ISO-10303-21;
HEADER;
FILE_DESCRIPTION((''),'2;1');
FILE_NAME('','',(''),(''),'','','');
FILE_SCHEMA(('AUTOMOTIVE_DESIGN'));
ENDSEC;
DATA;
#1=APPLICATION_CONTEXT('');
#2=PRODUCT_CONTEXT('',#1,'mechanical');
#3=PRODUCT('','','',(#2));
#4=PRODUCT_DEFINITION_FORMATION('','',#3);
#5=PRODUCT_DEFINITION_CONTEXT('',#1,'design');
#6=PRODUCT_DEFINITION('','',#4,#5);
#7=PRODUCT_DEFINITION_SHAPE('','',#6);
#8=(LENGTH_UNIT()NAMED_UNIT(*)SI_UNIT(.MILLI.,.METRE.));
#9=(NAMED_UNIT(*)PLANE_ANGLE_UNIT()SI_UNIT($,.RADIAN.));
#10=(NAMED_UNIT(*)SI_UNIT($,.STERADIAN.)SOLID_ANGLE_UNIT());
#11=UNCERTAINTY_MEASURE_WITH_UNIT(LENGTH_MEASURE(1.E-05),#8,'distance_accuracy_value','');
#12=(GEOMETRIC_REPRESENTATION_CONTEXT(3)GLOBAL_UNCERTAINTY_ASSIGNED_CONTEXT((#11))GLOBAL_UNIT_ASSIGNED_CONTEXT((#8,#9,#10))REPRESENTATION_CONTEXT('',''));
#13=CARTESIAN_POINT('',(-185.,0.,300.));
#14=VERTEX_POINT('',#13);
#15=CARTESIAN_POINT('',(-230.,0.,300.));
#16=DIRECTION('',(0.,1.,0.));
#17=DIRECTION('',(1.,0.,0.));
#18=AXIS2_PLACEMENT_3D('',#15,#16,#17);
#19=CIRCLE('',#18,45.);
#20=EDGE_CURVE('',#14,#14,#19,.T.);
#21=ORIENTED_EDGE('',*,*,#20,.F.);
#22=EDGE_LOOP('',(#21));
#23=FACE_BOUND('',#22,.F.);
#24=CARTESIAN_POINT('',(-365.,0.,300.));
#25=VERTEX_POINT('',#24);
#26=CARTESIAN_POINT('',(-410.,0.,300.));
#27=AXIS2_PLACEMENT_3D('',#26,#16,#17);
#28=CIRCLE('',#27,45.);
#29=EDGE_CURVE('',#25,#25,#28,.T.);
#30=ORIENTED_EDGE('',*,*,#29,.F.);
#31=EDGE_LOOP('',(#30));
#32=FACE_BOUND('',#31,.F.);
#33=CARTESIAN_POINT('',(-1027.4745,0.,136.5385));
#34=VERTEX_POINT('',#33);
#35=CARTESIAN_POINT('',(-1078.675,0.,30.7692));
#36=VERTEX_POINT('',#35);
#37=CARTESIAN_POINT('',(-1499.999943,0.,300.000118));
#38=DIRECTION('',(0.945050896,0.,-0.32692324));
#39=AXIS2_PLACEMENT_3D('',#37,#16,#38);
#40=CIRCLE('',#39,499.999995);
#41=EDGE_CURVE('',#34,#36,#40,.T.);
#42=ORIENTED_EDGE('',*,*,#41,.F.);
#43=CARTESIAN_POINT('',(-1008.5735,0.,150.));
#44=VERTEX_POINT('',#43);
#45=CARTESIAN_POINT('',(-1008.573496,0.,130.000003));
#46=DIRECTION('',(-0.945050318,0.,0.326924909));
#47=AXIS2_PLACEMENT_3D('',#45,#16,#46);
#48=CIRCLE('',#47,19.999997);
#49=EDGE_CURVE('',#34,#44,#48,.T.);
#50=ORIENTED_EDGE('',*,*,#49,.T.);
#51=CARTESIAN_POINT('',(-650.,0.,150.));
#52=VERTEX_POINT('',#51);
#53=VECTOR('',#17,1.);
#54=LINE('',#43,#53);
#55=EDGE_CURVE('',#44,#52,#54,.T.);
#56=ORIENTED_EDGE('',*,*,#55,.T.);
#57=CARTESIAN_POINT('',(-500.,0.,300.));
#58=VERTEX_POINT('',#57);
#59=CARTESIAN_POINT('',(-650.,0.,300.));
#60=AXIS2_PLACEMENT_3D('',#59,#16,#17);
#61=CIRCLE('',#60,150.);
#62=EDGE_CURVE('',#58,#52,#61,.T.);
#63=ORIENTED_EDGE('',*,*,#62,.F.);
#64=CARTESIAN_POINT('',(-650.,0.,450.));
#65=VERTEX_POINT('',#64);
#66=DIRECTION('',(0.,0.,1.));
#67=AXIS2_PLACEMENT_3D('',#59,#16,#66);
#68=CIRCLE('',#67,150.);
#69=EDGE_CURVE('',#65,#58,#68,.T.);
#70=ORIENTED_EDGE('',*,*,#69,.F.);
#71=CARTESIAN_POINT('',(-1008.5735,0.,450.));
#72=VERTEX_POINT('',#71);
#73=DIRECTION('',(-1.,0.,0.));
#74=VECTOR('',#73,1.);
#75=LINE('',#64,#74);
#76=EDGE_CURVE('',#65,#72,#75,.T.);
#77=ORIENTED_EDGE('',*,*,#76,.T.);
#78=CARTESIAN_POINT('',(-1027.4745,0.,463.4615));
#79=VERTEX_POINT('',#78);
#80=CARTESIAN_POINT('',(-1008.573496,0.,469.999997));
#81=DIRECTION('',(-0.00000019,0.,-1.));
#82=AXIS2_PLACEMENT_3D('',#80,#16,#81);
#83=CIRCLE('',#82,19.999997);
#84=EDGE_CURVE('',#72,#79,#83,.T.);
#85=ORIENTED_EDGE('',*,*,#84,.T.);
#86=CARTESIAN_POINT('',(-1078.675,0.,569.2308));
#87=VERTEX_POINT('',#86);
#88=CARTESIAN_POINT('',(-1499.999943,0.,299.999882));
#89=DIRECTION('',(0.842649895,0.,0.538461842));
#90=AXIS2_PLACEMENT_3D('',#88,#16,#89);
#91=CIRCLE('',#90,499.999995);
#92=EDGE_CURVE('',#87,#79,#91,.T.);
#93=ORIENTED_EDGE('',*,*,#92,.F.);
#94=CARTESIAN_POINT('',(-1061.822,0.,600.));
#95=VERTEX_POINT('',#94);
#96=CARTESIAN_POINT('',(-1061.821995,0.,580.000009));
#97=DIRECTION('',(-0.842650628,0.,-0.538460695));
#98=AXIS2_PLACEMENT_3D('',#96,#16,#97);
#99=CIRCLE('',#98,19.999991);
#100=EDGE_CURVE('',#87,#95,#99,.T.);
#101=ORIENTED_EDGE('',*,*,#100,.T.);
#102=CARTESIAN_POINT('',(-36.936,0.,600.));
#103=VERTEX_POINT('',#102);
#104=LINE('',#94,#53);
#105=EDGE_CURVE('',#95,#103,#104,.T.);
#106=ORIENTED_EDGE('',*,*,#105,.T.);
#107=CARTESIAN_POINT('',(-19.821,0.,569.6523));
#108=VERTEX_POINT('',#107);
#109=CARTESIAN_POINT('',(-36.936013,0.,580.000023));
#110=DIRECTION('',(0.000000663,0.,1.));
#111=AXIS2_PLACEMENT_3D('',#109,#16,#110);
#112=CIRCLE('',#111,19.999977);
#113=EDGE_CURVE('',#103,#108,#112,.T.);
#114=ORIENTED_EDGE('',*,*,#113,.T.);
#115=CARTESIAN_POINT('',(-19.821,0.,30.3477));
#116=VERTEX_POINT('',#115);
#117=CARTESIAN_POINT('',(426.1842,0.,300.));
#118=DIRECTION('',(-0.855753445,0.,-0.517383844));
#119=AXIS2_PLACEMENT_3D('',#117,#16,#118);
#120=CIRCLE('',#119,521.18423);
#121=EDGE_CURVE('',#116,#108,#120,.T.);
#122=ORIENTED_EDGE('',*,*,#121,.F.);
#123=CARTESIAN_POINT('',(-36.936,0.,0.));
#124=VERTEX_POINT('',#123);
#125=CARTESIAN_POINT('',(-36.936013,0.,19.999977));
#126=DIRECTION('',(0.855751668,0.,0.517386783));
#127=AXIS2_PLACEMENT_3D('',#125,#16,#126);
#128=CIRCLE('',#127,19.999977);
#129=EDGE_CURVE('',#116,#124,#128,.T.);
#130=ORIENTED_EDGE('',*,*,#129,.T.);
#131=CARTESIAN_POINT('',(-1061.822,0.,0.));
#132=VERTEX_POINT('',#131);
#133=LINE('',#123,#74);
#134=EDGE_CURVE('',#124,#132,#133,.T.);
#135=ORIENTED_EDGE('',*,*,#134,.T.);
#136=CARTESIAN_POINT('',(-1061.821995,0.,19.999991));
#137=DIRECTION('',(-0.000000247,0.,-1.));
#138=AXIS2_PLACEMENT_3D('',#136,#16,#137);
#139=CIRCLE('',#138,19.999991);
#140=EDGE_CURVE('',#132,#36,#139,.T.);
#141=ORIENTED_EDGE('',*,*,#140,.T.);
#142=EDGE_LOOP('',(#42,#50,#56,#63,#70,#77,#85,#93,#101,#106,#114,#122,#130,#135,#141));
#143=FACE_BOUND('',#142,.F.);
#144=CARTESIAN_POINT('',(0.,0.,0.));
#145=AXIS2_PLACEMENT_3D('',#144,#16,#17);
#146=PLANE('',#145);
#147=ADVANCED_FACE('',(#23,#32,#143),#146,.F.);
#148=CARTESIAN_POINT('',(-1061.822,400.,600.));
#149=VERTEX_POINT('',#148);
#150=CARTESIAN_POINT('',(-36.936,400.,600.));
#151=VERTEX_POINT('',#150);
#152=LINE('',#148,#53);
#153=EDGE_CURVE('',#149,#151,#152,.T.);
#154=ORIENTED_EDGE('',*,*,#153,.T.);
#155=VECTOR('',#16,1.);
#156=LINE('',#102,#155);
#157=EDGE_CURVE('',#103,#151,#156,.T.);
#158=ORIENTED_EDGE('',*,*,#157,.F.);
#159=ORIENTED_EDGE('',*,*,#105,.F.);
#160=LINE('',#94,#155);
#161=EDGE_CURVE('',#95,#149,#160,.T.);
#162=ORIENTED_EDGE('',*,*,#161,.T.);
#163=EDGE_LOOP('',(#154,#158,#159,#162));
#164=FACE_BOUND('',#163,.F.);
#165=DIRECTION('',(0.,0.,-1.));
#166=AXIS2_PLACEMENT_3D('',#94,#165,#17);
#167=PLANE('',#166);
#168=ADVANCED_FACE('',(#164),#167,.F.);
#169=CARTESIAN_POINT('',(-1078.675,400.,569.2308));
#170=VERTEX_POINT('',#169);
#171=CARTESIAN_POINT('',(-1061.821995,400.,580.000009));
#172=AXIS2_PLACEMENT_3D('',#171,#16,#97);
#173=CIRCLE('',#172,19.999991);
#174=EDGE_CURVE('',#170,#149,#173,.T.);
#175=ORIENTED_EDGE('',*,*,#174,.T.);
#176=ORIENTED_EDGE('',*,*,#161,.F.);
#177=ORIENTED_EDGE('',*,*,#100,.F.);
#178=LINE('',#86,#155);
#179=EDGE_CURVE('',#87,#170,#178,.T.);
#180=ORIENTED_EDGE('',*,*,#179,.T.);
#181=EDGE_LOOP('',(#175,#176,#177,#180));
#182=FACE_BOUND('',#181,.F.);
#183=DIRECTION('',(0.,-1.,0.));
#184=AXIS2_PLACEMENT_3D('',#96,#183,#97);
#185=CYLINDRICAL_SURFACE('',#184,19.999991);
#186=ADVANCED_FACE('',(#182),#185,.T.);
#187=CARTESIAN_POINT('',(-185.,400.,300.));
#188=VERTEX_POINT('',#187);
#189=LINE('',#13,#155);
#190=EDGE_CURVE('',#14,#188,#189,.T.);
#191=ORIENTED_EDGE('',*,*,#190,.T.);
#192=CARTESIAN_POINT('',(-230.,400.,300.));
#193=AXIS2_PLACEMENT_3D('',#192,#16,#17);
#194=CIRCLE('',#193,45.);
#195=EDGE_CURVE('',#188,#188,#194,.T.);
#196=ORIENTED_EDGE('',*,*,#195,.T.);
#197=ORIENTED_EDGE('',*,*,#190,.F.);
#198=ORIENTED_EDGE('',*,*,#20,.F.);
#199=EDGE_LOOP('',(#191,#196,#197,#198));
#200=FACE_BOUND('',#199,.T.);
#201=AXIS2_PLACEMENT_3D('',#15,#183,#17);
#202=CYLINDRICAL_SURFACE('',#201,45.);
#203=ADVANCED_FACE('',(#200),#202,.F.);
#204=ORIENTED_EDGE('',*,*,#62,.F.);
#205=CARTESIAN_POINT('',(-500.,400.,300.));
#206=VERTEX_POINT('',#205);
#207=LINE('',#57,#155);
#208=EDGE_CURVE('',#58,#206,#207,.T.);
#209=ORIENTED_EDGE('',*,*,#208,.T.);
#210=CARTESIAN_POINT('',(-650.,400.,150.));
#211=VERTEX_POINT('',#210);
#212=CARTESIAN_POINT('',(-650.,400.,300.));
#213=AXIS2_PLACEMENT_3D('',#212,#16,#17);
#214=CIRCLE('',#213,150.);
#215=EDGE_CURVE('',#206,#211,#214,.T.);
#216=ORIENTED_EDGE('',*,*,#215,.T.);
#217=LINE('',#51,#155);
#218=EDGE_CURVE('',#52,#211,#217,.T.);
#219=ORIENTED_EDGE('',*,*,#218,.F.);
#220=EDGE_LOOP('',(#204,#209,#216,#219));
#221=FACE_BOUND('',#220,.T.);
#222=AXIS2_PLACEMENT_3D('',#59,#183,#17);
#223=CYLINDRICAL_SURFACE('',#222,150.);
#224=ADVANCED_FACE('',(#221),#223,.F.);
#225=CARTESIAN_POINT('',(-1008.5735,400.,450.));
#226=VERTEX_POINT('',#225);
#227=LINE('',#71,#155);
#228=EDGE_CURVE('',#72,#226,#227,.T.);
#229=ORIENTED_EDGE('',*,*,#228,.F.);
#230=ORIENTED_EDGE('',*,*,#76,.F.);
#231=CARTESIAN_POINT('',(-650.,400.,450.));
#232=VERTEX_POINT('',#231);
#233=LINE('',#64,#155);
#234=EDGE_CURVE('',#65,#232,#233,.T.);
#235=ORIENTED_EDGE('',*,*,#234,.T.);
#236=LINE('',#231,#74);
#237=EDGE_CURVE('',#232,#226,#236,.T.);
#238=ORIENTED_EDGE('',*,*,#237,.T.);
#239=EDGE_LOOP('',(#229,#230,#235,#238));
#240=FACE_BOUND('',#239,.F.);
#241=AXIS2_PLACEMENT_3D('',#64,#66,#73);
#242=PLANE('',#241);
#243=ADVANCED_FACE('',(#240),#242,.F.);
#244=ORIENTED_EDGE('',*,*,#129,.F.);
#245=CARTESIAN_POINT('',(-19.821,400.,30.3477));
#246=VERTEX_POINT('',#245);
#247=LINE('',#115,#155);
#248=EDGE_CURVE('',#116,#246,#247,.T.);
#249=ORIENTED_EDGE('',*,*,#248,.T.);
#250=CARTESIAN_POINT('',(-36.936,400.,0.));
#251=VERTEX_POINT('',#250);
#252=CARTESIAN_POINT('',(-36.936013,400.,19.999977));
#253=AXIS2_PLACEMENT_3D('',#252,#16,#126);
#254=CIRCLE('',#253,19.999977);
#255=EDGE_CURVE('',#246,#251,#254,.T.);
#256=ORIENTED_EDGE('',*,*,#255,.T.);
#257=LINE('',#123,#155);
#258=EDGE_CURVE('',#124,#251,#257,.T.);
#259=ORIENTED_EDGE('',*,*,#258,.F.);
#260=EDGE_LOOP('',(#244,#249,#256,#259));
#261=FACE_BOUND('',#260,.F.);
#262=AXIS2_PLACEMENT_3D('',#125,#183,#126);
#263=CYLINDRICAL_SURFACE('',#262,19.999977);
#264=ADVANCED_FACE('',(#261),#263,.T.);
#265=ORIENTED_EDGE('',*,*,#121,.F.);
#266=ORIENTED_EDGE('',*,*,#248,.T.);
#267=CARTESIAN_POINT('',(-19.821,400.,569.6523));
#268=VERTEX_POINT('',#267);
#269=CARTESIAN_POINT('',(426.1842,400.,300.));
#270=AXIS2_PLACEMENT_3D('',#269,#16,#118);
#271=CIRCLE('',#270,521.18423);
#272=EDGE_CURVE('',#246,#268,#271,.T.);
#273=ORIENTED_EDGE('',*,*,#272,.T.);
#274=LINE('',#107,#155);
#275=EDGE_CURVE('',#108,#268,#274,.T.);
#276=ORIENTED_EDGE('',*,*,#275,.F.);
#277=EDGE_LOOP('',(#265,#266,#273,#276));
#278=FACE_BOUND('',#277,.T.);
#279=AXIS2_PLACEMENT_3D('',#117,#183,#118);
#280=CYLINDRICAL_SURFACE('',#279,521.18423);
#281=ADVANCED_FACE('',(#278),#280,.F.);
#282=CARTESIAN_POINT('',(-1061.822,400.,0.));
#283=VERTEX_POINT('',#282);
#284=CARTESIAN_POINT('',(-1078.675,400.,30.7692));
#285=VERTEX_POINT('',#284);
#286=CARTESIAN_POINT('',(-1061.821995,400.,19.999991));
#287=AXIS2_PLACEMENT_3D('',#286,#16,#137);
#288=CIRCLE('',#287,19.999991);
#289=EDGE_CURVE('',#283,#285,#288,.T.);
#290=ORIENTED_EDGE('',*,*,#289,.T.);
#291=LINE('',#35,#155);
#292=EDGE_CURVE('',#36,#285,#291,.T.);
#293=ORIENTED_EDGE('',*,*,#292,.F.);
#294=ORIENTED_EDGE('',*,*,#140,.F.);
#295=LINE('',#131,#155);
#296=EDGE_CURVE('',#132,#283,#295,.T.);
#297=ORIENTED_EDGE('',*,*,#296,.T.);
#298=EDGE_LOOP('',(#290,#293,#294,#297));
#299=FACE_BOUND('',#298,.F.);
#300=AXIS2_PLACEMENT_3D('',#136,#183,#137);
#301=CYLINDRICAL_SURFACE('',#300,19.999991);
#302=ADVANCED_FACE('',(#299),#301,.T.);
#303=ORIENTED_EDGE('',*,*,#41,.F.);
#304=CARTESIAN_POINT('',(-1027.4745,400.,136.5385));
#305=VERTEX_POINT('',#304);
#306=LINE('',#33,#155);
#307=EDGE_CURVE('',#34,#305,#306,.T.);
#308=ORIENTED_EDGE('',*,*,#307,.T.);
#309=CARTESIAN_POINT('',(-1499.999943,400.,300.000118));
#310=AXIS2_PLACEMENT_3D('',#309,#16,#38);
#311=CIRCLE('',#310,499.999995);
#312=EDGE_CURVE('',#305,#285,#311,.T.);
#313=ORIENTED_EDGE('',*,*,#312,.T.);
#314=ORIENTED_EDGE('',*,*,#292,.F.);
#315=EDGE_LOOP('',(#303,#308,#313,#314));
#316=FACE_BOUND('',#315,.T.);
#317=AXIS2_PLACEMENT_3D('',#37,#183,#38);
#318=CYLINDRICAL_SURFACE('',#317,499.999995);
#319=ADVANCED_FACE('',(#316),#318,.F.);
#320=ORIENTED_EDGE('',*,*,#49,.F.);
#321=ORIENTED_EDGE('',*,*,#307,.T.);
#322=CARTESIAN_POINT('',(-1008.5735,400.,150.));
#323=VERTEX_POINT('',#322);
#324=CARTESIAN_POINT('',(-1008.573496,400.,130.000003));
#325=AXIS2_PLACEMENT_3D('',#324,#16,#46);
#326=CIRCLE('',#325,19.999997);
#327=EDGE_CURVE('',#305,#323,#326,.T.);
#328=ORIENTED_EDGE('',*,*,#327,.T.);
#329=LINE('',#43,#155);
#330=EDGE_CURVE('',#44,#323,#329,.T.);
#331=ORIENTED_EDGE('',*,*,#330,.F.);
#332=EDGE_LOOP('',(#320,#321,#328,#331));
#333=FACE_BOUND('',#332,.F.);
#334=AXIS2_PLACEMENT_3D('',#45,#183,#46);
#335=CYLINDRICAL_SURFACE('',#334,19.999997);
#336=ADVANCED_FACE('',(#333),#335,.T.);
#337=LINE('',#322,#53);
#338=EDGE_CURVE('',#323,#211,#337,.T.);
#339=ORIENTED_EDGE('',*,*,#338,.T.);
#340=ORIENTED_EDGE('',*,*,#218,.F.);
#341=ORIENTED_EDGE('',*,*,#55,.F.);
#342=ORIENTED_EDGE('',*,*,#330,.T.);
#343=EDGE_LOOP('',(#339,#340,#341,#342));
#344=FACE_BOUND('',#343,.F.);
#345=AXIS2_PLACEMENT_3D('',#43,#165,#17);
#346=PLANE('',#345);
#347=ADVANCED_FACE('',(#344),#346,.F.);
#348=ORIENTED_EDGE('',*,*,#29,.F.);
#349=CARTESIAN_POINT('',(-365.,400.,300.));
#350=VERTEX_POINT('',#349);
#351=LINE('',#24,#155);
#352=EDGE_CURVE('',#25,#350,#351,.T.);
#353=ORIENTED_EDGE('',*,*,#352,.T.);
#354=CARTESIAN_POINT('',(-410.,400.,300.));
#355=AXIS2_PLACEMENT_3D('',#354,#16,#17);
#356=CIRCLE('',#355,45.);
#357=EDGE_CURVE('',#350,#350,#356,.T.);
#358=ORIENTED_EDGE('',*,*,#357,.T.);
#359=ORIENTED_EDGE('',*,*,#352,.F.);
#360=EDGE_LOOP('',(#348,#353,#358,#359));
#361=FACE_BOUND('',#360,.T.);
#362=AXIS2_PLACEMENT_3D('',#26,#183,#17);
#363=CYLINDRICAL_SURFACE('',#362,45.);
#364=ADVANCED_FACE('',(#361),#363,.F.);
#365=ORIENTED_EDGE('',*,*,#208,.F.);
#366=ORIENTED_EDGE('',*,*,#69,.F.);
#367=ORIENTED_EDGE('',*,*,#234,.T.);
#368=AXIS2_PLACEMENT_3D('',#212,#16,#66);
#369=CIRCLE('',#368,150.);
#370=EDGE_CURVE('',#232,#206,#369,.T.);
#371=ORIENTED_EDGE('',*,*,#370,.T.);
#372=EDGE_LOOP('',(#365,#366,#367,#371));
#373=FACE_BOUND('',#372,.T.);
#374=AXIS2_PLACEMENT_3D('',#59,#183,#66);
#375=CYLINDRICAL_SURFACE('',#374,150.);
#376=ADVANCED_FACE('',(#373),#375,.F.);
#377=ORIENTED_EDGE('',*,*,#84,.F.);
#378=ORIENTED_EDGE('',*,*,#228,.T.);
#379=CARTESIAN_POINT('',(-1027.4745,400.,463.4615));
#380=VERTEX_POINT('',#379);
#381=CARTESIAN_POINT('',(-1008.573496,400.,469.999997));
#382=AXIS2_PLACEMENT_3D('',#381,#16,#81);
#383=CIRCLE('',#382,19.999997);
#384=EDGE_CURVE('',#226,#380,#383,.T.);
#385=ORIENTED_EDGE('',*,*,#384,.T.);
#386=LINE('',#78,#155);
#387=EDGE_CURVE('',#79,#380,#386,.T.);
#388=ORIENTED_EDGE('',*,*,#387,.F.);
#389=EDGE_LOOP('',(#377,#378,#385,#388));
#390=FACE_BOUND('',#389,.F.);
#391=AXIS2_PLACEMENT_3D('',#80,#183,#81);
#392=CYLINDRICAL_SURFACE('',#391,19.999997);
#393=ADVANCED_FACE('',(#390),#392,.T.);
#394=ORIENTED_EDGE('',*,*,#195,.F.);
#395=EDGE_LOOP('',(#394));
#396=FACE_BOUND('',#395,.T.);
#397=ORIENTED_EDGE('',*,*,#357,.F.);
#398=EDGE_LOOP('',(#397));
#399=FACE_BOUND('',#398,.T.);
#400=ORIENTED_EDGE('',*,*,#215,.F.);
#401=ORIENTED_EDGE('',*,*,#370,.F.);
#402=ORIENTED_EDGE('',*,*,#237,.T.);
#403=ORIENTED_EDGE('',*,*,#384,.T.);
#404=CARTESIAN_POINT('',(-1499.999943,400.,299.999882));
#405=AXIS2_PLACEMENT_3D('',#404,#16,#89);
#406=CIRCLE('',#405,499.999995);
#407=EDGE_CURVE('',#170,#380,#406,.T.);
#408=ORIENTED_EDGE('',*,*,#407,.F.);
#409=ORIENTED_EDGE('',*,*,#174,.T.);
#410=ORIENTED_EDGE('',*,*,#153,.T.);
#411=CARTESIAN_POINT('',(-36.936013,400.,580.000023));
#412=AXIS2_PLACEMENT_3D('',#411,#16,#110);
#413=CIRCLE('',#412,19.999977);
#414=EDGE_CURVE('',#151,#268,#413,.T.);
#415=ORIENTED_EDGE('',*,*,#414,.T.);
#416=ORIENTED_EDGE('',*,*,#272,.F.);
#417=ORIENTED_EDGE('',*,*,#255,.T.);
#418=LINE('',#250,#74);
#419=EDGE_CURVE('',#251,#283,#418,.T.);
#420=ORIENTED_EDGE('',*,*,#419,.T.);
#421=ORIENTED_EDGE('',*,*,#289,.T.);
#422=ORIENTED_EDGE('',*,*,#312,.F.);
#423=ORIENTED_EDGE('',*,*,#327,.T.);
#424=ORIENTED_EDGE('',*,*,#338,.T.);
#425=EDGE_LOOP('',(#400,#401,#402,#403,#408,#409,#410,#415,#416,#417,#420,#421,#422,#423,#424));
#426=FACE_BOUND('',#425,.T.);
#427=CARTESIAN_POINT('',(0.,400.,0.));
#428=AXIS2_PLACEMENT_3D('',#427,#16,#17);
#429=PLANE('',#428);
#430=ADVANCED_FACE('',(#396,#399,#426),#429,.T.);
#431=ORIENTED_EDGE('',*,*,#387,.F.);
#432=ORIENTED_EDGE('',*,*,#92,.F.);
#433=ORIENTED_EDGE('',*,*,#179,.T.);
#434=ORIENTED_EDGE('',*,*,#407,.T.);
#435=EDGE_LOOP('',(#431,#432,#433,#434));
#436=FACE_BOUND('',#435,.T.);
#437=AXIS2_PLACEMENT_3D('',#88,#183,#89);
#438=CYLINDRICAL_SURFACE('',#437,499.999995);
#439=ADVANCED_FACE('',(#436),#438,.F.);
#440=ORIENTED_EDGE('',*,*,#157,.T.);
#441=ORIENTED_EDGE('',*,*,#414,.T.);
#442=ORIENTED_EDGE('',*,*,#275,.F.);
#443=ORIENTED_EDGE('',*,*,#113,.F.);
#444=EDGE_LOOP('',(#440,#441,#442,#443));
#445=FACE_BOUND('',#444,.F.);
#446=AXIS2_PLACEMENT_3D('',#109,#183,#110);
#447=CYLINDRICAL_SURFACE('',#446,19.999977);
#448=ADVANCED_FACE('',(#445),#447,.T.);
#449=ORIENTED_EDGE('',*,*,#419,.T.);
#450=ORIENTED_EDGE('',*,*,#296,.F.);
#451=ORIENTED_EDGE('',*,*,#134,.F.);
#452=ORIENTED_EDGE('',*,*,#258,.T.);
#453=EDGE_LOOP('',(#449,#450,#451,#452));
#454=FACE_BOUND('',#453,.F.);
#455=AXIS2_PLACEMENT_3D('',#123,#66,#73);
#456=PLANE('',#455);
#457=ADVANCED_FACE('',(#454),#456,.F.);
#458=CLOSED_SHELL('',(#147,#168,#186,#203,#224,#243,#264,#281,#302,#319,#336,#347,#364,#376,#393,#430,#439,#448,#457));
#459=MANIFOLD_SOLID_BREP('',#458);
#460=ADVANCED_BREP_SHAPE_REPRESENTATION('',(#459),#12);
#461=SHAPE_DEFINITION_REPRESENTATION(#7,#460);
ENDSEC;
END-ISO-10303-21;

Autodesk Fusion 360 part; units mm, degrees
sketch "Boceto2" plane through (0, 0, 0) normal (0, 1, 0) x (1, 0, 0)
  line L0 (-36.936, 0) -> (-1061.822, 0)
  line L1 (-1061.822, -600) -> (-36.936, -600)
  line L2 (-1008.5735, -150) -> (-650, -150)
  line L3 (-650, -450) -> (-1008.5735, -450)
  arc A0 (-1078.675, -569.2308) -> (-1027.4745, -463.4615) centre (-1500, -300) ccw
  arc A1 (-1027.4745, -136.5385) -> (-1078.675, -30.7692) centre (-1500, -300) ccw
  arc A2 (-650, -450) -> (-500, -300) centre (-650, -300) ccw
  arc A3 (-500, -300) -> (-650, -150) centre (-650, -300) ccw
  circle A4 centre (-410, -300) radius 45
  circle A5 centre (-230, -300) radius 45
  arc A6 (-19.821, -30.3477) -> (-19.821, -569.6523) centre (426.1842, -300) ccw
  arc A7 (-1078.675, -569.2308) -> (-1061.822, -600) centre (-1061.822, -580) ccw
  arc A8 (-36.936, -600) -> (-19.821, -569.6523) centre (-36.936, -580) ccw
  arc A9 (-19.821, -30.3477) -> (-36.936, 0) centre (-36.936, -20) ccw
  arc A10 (-1061.822, 0) -> (-1078.675, -30.7692) centre (-1061.822, -20) ccw
  arc A11 (-1027.4745, -136.5385) -> (-1008.5735, -150) centre (-1008.5735, -130) ccw
  arc A12 (-1008.5735, -450) -> (-1027.4745, -463.4615) centre (-1008.5735, -470) ccw
  point P0 (-1100, 0)
  point P1 (0, -600)
  point P2 (-500, -150)
  point P3 (-500, -450)
  dimension "d1" = 1100
  dimension "d2" = 600
  dimension "d6" = 300
  dimension "d13" = 150
  dimension "d14" = 150
  dimension "d15" = 90
  dimension "d16" = 90
  dimension "d17" = 180
  dimension "d18" = 90
  dimension "d20" = 20
  dimension "d21" = 20
  dimension "d22" = 20
  dimension "d23" = 20
  dimension "d24" = 20
  dimension "d25" = 20
extrude "Extruir1" add sketch "Boceto2" along normal blind 400
